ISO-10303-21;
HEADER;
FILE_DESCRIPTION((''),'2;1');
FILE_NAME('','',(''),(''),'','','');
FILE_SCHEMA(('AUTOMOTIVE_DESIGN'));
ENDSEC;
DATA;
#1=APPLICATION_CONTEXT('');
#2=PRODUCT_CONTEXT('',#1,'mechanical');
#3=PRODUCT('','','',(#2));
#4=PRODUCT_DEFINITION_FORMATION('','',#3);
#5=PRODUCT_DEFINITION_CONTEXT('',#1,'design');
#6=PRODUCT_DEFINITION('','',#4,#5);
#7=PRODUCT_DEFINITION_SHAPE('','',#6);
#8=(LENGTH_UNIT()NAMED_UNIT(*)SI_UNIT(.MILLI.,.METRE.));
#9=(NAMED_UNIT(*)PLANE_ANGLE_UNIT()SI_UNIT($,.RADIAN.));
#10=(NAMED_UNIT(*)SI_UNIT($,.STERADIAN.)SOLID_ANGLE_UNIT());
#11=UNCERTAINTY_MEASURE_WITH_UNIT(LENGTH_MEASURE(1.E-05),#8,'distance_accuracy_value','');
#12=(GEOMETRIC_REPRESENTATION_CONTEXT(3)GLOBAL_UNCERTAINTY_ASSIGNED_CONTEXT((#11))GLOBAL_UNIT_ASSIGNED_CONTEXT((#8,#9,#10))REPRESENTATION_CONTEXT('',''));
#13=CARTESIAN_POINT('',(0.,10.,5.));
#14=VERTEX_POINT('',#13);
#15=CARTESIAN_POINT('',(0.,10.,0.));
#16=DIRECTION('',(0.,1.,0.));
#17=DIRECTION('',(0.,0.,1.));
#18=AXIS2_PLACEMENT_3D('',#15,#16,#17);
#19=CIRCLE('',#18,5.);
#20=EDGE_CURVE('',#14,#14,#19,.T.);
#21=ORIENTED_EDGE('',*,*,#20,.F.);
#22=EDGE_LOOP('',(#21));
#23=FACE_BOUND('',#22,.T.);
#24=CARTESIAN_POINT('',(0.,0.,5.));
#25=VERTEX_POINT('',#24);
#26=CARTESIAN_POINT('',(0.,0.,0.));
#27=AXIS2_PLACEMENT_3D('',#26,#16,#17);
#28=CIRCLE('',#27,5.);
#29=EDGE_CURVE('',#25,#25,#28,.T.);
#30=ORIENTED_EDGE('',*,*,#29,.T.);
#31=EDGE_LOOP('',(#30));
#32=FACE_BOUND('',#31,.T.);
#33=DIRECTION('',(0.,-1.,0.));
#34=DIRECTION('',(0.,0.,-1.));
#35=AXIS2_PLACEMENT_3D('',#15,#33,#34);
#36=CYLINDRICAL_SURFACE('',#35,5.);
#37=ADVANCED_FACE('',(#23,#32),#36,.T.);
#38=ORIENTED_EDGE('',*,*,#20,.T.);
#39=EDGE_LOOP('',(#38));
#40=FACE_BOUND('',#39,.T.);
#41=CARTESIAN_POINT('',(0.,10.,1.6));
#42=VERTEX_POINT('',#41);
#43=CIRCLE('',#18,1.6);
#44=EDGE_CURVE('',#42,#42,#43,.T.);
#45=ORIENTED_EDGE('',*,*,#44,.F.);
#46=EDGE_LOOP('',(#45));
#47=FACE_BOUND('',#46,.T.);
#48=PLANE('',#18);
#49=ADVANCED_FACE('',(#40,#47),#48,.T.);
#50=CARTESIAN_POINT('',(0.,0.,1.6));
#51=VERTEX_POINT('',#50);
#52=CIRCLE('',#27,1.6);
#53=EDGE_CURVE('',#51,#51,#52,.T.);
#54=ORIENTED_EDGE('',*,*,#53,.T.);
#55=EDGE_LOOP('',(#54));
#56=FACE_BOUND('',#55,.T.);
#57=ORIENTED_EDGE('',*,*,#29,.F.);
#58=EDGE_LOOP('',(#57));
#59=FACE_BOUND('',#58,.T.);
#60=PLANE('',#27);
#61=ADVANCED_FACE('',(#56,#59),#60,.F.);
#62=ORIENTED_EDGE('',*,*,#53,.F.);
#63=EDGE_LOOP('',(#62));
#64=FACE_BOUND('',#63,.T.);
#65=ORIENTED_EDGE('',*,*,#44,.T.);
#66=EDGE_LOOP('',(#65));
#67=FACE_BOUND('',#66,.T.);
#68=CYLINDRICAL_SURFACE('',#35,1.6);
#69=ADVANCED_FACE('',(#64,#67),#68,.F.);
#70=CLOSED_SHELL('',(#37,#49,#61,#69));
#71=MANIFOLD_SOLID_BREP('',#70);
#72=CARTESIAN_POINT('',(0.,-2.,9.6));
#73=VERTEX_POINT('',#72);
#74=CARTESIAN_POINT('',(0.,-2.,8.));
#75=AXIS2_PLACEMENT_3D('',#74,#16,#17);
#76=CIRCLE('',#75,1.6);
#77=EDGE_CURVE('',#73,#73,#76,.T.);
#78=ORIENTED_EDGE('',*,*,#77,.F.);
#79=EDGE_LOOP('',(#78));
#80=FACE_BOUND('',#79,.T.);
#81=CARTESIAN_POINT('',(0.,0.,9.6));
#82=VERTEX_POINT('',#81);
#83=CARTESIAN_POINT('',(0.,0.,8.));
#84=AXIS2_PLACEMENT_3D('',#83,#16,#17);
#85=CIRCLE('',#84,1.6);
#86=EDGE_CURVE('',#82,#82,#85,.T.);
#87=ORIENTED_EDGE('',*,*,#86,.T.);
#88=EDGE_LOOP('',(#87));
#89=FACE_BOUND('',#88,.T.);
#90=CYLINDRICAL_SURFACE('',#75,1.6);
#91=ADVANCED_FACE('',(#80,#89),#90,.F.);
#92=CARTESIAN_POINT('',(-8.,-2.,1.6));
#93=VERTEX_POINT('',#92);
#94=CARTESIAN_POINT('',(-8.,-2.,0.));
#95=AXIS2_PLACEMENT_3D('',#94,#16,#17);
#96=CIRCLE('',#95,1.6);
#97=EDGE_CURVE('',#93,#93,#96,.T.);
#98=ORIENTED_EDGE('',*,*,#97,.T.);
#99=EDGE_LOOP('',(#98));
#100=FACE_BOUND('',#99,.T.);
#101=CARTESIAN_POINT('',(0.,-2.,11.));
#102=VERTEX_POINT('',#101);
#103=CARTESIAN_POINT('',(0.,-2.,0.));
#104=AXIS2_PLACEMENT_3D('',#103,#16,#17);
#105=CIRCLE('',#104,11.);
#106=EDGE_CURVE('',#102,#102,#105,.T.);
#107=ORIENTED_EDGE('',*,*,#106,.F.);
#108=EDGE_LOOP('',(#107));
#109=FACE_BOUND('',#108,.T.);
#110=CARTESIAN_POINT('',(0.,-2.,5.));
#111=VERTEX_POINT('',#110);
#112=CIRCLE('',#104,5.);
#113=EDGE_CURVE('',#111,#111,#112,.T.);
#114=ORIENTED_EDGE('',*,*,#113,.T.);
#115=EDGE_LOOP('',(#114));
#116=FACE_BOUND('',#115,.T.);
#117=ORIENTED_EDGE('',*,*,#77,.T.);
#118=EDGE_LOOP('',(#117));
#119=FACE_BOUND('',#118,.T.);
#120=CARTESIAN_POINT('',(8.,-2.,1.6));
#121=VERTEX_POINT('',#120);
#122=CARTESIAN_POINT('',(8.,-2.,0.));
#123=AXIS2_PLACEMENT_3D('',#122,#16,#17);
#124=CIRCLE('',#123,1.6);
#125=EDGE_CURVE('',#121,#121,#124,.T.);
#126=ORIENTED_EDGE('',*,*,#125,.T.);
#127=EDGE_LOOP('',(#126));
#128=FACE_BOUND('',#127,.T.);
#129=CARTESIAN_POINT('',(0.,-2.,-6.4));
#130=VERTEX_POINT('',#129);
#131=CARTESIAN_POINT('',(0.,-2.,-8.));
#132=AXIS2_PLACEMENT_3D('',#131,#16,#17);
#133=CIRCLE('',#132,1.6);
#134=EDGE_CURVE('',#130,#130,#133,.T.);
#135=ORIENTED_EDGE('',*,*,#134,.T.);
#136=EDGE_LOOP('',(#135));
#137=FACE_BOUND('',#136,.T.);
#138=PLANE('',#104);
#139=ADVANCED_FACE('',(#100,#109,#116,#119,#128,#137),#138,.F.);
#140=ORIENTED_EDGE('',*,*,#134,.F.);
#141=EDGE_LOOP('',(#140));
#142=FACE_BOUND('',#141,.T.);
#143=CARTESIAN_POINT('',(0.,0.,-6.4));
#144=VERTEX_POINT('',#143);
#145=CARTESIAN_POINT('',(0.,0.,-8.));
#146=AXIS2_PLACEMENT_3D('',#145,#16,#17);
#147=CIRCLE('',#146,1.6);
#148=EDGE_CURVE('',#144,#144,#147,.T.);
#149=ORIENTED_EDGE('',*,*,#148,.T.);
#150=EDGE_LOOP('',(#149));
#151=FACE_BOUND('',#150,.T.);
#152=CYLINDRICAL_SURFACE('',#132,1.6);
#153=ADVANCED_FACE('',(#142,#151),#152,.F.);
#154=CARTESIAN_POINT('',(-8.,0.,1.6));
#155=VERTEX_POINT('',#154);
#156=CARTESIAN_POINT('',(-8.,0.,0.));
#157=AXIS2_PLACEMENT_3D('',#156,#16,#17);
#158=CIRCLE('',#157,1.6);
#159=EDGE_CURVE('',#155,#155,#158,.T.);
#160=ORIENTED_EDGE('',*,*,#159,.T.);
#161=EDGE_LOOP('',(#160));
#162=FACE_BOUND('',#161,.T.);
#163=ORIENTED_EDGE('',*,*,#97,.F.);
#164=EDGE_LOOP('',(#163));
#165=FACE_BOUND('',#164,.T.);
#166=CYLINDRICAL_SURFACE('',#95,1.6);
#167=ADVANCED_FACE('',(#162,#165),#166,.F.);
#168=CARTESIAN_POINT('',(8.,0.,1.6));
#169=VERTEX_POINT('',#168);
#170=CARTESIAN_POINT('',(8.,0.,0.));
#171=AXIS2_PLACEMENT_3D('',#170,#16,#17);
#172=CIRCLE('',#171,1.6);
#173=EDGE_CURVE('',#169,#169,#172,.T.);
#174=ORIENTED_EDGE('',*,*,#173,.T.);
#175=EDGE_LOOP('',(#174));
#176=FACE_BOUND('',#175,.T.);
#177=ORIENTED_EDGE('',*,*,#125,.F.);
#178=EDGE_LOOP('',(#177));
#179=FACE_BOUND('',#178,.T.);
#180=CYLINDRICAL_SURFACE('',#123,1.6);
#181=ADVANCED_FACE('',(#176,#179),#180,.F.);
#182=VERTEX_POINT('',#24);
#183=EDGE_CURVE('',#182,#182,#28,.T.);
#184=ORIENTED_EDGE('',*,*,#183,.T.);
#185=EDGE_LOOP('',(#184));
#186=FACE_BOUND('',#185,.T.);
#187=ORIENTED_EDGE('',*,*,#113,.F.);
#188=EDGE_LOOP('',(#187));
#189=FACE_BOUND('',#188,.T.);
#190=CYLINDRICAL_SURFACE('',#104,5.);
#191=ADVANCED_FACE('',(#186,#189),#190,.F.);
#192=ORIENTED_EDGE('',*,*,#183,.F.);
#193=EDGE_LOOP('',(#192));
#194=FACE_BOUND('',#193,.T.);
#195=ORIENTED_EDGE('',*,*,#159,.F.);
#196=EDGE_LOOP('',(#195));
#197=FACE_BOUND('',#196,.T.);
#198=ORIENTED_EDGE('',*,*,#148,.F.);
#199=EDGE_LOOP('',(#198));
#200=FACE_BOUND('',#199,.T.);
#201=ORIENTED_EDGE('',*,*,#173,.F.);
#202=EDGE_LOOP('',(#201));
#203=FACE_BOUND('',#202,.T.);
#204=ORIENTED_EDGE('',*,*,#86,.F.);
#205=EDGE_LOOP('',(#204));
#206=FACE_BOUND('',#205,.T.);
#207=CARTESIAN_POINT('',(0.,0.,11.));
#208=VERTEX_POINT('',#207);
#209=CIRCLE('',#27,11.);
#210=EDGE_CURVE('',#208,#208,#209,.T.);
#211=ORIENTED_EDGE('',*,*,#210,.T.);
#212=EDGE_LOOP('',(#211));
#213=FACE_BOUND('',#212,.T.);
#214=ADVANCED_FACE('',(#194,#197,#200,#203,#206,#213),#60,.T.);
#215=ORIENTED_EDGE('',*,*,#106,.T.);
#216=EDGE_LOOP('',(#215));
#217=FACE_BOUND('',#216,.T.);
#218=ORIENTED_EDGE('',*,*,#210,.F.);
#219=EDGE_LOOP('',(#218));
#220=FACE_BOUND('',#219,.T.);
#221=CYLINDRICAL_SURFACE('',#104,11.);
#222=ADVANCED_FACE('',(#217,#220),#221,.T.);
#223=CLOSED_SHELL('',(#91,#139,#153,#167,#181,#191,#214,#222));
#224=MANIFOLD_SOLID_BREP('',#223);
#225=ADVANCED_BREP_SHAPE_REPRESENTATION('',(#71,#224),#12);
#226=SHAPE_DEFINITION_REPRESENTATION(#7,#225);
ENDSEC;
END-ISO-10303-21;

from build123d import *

# Parameters (mm, degrees)
SKETCH_1_R      = 5
SKETCH_1_R_2    = 1.6
EXTRUDE_1_DEPTH = 10
SKETCH_1_3_R    = 5
EXTRUDE_2_DEPTH = 2
SKETCH_1_4_R    = 11
EXTRUDE_3_DEPTH = 2


with BuildPart() as part:
    # 草图1 → 凸台-拉伸1 (new body)
    with BuildSketch(Plane(origin=(0, 0, 0), x_dir=(1, 0, 0), z_dir=(0, 1, 0))):
        Circle(SKETCH_1_R)
        Circle(SKETCH_1_R_2, mode=Mode.SUBTRACT)
    extrude(amount=EXTRUDE_1_DEPTH)


with BuildPart() as body_2:
    # 草图1<3> → 凸台-拉伸2 (new body)
    with BuildSketch(Plane(origin=(0, 0, 0), x_dir=(1, 0, 0), z_dir=(0, 1, 0))):
        with BuildLine():
            ThreePointArc((7.84, -1.591979899), (6.4, 0), (7.84, 1.591979899))
            ThreePointArc((7.84, 1.591979899), (5.656854249, 5.656854249), (1.591979899, 7.84))
            ThreePointArc((1.591979899, 7.84), (0, 6.4), (-1.591979899, 7.84))
            ThreePointArc((-1.591979899, 7.84), (-5.656854249, 5.656854249), (-7.84, 1.591979899))
            ThreePointArc((-7.84, 1.591979899), (-6.813408242, 1.073312629), (-6.4, 0))
            ThreePointArc((-6.4, 0), (-6.813408242, -1.073312629), (-7.84, -1.591979899))
            ThreePointArc((-7.84, -1.591979899), (-5.656854249, -5.656854249), (-1.591979899, -7.84))
            ThreePointArc((-1.591979899, -7.84), (0, -6.4), (1.591979899, -7.84))
            ThreePointArc((1.591979899, -7.84), (5.656854249, -5.656854249), (7.84, -1.591979899))
        make_face()
        Circle(SKETCH_1_3_R, mode=Mode.SUBTRACT)
    extrude(amount=-EXTRUDE_2_DEPTH)

    # 草图1<4> → 凸台-拉伸3 (add)
    with BuildSketch(Plane(origin=(0, 0, 0), x_dir=(1, 0, 0), z_dir=(0, 1, 0))):
        Circle(SKETCH_1_4_R)
        with BuildLine():
            ThreePointArc((1.591979899, 7.84), (5.656854249, 5.656854249), (7.84, 1.591979899))
            ThreePointArc((7.84, 1.591979899), (9.073312629, 1.186591758), (9.6, 0))
            ThreePointArc((9.6, 0), (9.073312629, -1.186591758), (7.84, -1.591979899))
            ThreePointArc((7.84, -1.591979899), (5.656854249, -5.656854249), (1.591979899, -7.84))
            ThreePointArc((1.591979899, -7.84), (1.597993717, -7.91989956), (1.6, -8))
            ThreePointArc((1.6, -8), (-0.08010044, -9.597993717), (-1.591979899, -7.84))
            ThreePointArc((-1.591979899, -7.84), (-5.656854249, -5.656854249), (-7.84, -1.591979899))
            ThreePointArc((-7.84, -1.591979899), (-9.6, 0), (-7.84, 1.591979899))
            ThreePointArc((-7.84, 1.591979899), (-5.656854249, 5.656854249), (-1.591979899, 7.84))
            ThreePointArc((-1.591979899, 7.84), (-0.08010044, 9.597993717), (1.6, 8))
            ThreePointArc((1.6, 8), (1.597993717, 7.91989956), (1.591979899, 7.84))
        make_face(mode=Mode.SUBTRACT)
    extrude(amount=-EXTRUDE_3_DEPTH)


solid = Compound([part.part, body_2.part])
